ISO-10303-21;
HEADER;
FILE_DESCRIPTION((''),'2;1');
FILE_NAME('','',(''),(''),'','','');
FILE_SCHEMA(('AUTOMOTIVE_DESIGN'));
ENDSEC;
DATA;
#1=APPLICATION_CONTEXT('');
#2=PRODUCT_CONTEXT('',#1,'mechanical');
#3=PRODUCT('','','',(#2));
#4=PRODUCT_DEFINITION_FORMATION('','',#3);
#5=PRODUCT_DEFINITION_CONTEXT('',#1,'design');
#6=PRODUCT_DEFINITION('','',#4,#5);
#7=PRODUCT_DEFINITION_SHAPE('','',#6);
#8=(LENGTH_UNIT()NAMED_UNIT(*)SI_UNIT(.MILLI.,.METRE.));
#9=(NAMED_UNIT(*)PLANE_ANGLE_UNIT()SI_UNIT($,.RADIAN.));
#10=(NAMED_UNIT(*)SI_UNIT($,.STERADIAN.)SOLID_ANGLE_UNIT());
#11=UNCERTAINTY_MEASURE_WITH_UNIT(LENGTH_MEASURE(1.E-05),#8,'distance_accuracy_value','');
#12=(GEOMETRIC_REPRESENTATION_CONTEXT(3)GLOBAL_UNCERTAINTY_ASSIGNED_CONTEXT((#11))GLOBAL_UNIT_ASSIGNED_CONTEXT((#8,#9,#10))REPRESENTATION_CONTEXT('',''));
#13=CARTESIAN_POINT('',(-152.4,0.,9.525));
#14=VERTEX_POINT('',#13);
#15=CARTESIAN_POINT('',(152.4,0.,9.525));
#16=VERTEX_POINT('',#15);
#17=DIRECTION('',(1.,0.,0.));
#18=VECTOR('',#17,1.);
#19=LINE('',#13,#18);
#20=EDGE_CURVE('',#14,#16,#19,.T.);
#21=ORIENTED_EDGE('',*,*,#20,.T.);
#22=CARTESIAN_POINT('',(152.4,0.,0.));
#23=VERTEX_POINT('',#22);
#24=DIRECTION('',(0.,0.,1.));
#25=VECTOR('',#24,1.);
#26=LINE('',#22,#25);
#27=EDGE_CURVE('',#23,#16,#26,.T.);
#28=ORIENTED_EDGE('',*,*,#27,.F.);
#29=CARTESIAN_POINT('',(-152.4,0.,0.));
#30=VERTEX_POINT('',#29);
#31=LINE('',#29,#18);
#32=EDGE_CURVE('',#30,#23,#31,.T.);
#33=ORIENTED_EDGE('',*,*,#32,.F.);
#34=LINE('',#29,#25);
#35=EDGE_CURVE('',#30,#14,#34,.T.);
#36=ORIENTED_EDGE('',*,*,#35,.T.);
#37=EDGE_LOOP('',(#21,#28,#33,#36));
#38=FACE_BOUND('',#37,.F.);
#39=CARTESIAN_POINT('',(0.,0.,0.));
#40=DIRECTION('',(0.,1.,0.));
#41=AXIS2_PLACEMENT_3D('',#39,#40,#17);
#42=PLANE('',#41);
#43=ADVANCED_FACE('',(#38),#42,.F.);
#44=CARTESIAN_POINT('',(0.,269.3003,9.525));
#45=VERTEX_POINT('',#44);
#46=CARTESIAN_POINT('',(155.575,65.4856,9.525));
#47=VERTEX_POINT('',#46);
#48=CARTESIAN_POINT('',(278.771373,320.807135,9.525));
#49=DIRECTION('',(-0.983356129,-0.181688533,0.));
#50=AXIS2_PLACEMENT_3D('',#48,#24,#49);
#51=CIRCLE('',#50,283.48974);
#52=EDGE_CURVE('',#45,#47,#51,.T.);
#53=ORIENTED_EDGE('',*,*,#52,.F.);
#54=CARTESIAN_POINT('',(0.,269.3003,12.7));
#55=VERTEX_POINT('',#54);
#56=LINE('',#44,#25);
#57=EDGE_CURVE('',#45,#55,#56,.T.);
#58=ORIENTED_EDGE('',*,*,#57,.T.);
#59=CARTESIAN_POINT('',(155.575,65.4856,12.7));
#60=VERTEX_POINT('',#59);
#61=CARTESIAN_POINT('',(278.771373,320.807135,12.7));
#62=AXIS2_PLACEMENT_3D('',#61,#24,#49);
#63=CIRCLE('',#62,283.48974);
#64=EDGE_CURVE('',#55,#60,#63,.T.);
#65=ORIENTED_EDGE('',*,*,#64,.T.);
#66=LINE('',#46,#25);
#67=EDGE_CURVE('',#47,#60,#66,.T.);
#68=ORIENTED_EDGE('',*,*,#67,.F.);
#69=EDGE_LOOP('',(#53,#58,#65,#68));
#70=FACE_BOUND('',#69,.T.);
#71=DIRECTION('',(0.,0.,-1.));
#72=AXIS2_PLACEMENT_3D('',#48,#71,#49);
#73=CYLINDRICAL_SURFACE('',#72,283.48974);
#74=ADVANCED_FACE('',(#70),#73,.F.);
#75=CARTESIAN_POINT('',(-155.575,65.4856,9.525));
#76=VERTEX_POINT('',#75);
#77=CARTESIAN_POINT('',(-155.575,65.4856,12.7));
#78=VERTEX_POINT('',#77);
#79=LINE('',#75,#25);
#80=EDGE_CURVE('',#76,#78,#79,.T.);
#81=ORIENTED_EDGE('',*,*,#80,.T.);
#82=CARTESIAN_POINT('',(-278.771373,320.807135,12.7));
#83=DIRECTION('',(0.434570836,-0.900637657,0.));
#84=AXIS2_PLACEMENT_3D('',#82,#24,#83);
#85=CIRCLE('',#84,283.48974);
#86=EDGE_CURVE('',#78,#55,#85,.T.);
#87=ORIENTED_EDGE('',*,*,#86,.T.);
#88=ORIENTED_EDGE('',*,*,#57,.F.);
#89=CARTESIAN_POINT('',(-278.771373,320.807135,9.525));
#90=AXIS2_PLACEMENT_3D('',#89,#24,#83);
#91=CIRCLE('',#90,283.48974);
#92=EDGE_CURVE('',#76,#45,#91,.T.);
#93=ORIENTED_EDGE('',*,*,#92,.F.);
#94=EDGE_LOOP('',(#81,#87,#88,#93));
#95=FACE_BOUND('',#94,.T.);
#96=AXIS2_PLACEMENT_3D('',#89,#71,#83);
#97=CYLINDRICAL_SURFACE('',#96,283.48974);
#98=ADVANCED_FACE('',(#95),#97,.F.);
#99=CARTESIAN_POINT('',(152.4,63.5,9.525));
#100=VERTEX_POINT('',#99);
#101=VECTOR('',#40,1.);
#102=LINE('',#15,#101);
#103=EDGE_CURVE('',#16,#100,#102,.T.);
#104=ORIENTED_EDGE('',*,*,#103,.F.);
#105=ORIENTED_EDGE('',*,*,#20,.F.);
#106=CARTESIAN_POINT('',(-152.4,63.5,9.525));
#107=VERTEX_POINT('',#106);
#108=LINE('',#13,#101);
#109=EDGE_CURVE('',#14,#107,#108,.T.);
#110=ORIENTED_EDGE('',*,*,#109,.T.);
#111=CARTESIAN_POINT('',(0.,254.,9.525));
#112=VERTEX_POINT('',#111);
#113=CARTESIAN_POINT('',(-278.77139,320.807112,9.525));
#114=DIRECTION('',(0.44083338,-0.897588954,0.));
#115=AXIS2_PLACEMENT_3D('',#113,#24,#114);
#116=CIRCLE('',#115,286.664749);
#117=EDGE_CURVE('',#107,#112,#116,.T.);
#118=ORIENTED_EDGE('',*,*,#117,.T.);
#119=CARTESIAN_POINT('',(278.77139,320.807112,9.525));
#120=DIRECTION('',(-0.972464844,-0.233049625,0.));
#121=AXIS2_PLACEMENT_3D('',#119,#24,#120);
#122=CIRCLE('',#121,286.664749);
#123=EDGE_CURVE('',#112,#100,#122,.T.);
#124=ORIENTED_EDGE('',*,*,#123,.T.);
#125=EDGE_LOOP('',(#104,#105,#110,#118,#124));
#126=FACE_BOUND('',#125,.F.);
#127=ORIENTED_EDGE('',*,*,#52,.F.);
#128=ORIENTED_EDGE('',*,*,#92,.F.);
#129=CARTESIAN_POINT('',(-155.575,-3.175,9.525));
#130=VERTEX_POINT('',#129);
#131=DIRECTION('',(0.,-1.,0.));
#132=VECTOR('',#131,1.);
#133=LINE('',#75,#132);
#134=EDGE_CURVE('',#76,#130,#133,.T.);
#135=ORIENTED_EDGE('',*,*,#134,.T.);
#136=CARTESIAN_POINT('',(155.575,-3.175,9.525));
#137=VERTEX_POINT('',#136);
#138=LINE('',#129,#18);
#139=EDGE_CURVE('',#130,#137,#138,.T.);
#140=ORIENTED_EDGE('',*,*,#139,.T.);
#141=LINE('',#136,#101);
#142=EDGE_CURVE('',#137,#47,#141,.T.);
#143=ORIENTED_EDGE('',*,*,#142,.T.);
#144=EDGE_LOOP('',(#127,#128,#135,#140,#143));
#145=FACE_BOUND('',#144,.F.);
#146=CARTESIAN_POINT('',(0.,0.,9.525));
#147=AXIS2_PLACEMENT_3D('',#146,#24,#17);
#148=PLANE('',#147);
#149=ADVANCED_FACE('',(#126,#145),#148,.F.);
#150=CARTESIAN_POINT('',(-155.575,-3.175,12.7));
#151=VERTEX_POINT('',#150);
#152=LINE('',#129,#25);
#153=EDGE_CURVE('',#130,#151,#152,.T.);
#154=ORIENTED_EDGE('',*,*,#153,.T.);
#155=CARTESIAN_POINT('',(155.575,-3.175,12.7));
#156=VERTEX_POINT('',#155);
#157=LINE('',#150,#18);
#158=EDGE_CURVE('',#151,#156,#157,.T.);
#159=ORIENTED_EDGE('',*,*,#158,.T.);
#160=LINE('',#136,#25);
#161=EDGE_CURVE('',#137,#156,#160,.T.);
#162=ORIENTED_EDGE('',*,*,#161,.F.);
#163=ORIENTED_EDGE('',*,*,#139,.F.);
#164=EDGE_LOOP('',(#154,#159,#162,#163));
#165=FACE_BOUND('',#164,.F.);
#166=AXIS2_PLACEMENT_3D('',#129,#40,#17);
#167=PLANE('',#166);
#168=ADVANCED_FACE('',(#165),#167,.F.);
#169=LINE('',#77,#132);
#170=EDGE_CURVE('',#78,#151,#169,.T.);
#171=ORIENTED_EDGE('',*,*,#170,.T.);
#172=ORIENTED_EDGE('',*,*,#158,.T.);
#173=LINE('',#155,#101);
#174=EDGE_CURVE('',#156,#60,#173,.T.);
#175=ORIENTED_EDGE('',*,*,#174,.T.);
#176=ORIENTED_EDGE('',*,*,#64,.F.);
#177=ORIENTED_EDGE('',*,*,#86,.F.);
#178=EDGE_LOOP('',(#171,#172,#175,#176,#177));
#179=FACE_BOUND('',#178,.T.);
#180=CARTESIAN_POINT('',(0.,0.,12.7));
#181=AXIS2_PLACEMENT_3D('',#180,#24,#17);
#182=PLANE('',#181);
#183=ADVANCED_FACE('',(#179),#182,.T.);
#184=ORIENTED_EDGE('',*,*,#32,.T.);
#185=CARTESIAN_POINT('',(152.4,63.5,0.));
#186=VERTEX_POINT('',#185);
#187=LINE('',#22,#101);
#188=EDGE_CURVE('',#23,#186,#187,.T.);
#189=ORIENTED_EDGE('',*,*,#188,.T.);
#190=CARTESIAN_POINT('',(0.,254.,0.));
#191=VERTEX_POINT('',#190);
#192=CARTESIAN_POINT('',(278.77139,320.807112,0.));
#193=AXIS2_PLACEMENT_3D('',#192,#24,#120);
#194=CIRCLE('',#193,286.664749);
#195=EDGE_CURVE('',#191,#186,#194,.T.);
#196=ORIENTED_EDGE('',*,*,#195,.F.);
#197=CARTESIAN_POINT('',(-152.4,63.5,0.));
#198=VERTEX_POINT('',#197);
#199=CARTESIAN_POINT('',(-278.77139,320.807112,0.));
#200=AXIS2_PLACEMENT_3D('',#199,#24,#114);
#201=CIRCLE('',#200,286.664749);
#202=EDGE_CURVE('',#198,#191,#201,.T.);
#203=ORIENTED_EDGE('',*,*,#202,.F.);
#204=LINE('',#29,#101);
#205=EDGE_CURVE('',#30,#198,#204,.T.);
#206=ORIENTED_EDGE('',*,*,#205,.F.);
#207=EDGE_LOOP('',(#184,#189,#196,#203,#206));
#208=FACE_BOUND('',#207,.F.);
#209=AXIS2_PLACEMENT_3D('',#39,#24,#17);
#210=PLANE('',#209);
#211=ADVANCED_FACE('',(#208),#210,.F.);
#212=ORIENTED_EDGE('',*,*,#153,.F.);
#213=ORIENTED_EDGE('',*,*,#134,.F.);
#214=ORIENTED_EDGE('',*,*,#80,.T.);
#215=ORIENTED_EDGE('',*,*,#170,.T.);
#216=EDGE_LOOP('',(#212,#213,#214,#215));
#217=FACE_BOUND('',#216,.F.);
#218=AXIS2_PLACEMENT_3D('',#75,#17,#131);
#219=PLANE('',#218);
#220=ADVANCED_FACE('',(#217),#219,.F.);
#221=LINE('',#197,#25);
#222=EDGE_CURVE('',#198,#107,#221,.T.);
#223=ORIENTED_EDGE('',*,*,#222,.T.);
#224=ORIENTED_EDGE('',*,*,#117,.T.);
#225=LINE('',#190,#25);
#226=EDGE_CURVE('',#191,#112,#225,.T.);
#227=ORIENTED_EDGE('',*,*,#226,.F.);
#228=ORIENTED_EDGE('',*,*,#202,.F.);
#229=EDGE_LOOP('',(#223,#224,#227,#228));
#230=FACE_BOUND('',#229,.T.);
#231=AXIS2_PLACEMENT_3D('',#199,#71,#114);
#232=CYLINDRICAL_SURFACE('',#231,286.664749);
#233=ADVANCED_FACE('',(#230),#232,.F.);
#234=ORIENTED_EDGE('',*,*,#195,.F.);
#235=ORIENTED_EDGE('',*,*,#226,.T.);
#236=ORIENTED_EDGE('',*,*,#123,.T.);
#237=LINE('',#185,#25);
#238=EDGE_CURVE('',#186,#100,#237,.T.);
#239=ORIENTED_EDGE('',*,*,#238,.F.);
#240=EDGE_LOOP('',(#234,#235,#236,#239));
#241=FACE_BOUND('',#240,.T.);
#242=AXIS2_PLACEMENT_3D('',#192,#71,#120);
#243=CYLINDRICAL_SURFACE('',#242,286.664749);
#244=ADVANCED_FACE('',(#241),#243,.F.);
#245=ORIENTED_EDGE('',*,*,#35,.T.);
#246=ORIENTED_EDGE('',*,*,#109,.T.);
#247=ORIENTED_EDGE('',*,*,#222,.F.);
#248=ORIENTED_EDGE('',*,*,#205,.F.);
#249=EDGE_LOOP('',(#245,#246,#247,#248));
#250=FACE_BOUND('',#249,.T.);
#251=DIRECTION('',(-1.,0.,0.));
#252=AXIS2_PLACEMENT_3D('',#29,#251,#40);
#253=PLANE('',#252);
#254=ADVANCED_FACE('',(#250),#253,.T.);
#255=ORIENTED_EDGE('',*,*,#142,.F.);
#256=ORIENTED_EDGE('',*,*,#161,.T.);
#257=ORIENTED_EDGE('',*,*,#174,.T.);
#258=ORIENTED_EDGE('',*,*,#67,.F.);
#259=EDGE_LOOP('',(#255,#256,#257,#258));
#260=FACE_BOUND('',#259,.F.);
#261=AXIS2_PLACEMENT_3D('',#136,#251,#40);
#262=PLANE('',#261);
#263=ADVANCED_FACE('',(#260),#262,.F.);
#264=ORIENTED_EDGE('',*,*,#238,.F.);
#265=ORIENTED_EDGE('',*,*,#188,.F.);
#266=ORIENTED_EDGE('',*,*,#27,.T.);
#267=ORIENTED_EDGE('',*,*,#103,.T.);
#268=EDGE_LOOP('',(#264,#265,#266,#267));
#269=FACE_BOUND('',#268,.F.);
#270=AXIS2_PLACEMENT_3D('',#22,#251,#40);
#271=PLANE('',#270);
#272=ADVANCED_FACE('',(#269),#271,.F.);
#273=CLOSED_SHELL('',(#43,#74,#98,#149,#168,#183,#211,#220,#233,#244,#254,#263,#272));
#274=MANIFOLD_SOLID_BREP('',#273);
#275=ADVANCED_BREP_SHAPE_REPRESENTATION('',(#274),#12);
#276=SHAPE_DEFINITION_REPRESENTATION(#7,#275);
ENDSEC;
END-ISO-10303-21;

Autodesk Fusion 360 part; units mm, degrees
sketch "Sketch1" plane through (0, 0, 0) normal (0, 0, 1) x (1, 0, 0)
  line L0 (0, 0) -> (0, 254) construction
  line L1 (0, 0) -> (152.4, 0)
  line L2 (152.4, 0) -> (152.4, 63.5)
  arc A0 (0, 254) -> (152.4, 63.5) centre (278.7714, 320.8071) ccw
  arc A1 (-152.4, 63.5) -> (0, 254) centre (-278.7714, 320.8071) ccw
  line L3 (-152.4, 0) -> (-152.4, 63.5)
  line L4 (0, 0) -> (-152.4, 0)
  dimension "d1" = 254
  dimension "d2" = 152.4
  dimension "d3" = 63.5
extrude "Extrude1" add sketch "Sketch1" along normal blind 9.525
sketch "Sketch2" plane through (0, 0, 9.525) normal (0, 0, 1) x (1, 0, 0)
  line L0 (152.4, 0) -> (152.4, 63.5)
  arc A0 (0, 254) -> (152.4, 63.5) centre (278.7714, 320.8071) ccw
  arc A1 (-152.4, 63.5) -> (0, 254) centre (-278.7714, 320.8071) ccw
  line L1 (-152.4, 63.5) -> (-152.4, 0)
  line L2 (-152.4, 0) -> (152.4, 0)
  line L3 (155.575, -3.175) -> (155.575, 65.4856)
  arc A2 (0, 269.3003) -> (155.575, 65.4856) centre (278.7714, 320.8071) ccw
  arc A3 (-155.575, 65.4856) -> (0, 269.3003) centre (-278.7714, 320.8071) ccw
  line L4 (-155.575, 65.4856) -> (-155.575, -3.175)
  line L5 (-155.575, -3.175) -> (155.575, -3.175)
  dimension "d6" = -3.175
extrude "Extrude2" add sketch "Sketch2" along normal blind 3.175 contours L0 A0 A1 L1 L2 | L3 A2 A3 L4 L5
equation "d1 = 10\""
equation "d2 = 6\""
